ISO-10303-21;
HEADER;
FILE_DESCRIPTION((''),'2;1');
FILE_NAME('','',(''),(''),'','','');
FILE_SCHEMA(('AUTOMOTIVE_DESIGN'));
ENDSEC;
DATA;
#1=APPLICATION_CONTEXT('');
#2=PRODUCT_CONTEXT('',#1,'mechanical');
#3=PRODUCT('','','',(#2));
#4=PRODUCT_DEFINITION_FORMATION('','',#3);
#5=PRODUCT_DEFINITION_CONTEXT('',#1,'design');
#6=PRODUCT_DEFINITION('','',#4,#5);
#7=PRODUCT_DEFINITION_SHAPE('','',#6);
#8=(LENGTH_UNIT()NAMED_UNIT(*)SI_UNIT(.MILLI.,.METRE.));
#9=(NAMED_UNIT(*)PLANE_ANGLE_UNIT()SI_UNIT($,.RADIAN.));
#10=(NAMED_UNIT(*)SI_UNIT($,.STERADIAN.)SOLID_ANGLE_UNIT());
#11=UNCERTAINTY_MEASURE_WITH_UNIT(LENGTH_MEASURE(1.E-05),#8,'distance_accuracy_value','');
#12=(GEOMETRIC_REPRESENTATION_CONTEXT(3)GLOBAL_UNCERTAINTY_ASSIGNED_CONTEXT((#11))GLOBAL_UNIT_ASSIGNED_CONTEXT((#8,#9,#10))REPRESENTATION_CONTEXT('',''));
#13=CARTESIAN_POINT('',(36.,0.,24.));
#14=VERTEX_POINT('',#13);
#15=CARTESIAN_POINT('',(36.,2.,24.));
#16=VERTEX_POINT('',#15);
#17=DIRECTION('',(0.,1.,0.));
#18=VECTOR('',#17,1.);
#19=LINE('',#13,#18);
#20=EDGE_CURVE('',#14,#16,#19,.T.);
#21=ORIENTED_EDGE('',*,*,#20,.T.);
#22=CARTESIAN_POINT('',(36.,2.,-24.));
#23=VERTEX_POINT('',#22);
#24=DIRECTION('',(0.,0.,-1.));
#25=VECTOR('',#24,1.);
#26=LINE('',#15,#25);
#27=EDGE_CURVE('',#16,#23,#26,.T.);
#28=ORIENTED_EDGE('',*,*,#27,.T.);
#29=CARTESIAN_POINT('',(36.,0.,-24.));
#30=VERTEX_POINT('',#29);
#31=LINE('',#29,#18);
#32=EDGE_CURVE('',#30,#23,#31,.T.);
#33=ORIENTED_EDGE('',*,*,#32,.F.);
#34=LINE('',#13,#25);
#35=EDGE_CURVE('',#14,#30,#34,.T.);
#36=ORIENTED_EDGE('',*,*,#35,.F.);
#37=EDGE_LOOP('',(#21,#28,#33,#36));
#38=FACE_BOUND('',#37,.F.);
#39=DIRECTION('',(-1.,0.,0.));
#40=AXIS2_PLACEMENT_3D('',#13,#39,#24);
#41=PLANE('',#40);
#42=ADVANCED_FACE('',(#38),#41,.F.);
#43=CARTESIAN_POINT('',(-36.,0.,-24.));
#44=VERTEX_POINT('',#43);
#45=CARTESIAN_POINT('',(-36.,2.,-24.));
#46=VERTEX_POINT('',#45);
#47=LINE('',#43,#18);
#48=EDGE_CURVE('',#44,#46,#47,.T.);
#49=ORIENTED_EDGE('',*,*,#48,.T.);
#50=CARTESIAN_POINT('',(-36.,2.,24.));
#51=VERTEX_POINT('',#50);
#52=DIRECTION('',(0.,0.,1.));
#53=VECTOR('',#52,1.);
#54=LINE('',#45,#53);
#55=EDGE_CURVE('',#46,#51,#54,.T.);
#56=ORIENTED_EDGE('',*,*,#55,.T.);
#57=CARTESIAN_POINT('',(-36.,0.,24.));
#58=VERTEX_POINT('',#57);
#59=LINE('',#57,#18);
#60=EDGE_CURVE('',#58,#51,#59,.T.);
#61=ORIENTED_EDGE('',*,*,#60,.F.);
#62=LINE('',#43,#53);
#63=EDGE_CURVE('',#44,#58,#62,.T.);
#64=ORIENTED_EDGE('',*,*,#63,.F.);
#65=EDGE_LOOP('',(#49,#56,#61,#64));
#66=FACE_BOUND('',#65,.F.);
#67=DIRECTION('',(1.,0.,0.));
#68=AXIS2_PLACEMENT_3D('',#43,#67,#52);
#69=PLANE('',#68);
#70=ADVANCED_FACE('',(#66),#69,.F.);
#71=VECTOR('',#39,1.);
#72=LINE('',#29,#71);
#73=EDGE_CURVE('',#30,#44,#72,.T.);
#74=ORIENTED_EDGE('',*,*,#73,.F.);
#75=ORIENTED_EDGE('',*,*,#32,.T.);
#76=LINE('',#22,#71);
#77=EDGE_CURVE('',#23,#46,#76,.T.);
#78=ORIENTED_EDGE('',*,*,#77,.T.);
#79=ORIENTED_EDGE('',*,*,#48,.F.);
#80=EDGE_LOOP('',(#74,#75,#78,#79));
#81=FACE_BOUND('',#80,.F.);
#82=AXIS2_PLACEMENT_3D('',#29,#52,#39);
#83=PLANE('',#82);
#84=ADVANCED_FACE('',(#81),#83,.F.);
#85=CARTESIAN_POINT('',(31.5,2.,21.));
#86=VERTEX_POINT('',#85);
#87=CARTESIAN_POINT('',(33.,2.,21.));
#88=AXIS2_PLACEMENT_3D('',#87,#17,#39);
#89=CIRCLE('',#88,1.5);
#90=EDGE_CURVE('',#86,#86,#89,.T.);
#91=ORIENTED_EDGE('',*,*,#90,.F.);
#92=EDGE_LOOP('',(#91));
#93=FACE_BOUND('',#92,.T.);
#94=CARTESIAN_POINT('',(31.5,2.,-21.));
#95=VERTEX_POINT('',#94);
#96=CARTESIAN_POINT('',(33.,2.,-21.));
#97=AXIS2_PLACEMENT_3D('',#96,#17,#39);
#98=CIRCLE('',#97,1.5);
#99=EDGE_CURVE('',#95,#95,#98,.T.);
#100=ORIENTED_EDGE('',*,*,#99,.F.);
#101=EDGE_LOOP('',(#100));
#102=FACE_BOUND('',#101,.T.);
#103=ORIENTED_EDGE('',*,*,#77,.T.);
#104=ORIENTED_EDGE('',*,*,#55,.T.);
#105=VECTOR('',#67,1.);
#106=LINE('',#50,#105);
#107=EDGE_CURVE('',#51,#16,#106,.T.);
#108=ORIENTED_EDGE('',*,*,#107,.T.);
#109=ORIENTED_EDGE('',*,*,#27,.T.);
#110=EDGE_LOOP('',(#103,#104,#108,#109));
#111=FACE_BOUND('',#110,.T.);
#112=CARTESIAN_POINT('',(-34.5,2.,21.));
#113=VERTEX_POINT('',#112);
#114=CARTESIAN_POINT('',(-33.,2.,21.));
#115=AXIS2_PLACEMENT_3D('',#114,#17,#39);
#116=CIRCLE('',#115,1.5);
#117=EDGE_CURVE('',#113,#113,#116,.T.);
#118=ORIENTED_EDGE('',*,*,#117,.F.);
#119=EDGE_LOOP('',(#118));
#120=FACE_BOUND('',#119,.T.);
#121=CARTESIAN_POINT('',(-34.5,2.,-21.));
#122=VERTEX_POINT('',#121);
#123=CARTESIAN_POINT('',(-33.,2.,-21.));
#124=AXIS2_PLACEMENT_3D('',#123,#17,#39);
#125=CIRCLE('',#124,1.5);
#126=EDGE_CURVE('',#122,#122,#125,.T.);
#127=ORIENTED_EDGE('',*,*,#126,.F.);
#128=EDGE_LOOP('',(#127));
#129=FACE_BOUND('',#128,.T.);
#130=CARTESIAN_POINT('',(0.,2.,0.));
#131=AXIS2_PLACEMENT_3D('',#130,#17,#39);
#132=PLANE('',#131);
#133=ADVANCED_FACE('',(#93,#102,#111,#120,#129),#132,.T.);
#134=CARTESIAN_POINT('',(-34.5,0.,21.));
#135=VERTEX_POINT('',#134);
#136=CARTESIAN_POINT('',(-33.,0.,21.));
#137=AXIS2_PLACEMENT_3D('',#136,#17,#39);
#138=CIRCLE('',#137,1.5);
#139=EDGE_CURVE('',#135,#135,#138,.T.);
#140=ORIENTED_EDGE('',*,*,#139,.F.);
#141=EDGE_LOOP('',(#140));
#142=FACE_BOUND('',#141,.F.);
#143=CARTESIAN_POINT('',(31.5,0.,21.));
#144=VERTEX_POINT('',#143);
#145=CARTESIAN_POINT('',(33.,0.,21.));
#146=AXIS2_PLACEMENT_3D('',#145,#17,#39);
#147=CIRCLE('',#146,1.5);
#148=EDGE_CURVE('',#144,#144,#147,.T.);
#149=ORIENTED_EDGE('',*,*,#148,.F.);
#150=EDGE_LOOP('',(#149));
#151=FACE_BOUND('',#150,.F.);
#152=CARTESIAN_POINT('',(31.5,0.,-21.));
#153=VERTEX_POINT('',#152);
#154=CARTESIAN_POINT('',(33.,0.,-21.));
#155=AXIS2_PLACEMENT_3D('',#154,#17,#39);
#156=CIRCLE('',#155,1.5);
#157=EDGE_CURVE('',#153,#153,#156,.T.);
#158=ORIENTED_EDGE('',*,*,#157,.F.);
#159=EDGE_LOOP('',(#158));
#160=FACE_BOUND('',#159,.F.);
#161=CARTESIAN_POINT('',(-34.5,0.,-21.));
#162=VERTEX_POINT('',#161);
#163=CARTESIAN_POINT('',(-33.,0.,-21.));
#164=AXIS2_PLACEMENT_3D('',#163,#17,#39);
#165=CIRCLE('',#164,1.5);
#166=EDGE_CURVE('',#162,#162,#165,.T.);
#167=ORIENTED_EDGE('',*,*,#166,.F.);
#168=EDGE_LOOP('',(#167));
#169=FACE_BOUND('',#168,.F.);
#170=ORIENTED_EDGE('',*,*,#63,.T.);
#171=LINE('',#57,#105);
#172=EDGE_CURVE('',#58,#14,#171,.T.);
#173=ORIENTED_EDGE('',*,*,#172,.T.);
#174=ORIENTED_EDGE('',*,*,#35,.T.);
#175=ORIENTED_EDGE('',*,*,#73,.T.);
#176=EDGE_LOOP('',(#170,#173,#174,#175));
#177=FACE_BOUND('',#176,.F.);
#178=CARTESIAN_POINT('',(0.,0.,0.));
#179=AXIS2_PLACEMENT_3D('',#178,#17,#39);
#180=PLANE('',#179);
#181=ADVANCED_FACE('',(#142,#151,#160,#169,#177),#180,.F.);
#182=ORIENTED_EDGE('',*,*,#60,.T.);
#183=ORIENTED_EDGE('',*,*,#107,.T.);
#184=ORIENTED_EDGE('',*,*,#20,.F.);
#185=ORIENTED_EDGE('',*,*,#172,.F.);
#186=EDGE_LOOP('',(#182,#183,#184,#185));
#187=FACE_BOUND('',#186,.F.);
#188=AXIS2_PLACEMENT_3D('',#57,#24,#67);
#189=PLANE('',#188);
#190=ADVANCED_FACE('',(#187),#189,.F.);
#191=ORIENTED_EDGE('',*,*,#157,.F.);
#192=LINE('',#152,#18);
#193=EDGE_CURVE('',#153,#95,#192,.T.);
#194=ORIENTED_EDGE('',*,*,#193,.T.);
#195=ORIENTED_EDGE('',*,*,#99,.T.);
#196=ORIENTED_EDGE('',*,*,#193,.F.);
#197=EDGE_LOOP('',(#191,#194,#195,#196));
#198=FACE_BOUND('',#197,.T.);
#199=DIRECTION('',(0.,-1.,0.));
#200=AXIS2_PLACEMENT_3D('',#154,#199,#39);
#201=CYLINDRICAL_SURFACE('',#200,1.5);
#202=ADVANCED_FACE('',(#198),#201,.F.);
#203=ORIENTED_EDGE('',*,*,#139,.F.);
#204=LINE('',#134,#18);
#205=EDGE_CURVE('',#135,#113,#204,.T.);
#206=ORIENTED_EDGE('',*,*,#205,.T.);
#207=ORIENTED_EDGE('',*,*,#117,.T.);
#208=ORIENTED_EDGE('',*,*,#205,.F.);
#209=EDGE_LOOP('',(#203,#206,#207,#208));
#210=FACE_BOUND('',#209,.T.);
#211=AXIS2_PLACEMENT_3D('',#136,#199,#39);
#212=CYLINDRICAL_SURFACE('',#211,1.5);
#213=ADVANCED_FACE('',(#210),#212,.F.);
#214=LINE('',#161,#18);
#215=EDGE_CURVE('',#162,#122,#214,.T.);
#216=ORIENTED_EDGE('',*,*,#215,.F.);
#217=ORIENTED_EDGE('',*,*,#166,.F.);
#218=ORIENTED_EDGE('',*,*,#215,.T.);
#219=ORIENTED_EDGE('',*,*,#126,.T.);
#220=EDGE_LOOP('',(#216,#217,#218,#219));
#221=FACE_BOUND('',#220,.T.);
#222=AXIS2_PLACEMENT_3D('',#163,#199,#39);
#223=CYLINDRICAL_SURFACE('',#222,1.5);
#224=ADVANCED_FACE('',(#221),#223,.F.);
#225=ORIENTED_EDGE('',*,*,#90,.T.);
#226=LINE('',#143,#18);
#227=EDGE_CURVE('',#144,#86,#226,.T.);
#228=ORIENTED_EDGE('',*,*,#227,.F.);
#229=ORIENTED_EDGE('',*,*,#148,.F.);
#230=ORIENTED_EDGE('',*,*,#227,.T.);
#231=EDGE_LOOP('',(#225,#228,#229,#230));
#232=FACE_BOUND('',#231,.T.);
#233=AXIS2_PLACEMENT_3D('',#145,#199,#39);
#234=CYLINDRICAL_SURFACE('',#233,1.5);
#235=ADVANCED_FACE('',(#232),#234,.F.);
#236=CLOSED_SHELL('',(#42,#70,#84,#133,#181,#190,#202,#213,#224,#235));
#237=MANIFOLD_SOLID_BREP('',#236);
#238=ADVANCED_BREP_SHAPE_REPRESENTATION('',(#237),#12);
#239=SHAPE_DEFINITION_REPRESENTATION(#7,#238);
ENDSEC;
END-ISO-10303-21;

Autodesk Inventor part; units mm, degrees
ref_plane "YZ Plane" through (0, 0, 0) normal (1, 0, 0) x (0, 1, 0)
ref_plane "XZ Plane" through (0, 0, 0) normal (0, 1, 0) x (-1, 0, 0)
ref_plane "XY Plane" through (0, 0, 0) normal (0, 0, 1) x (1, 0, 0)
sketch "スケッチ1" plane through (0, 0, 0) normal (0, 1, 0) x (-1, 0, 0)
  line L0 (36, 24) -> (-36, 24)
  line L1 (-36, 24) -> (-36, -24)
  line L2 (-36, -24) -> (36, -24)
  line L3 (36, -24) -> (36, 24)
  line L4 (36, 24) -> (-36, -24) construction
  line L5 (-36, 24) -> (36, -24) construction
  circle A0 centre (33, 21) radius 1.5
  line L6 (50.4, 0) -> (-50.4, 0) construction
  circle A1 centre (33, -21) radius 1.5
  line L7 (0, -33.6) -> (0, 33.6) construction
  circle A2 centre (-33, 21) radius 1.5
  circle A3 centre (-33, -21) radius 1.5
  point P0 (0, 0)
  dimension "d0" = 48
  dimension "d1" = 72
  dimension "d2" = 3
  dimension "d3" = 3
  dimension "d4" = 42
extrude "押し出し1" add sketch "スケッチ1" along normal blind 2
properties part number "circuitboard"
